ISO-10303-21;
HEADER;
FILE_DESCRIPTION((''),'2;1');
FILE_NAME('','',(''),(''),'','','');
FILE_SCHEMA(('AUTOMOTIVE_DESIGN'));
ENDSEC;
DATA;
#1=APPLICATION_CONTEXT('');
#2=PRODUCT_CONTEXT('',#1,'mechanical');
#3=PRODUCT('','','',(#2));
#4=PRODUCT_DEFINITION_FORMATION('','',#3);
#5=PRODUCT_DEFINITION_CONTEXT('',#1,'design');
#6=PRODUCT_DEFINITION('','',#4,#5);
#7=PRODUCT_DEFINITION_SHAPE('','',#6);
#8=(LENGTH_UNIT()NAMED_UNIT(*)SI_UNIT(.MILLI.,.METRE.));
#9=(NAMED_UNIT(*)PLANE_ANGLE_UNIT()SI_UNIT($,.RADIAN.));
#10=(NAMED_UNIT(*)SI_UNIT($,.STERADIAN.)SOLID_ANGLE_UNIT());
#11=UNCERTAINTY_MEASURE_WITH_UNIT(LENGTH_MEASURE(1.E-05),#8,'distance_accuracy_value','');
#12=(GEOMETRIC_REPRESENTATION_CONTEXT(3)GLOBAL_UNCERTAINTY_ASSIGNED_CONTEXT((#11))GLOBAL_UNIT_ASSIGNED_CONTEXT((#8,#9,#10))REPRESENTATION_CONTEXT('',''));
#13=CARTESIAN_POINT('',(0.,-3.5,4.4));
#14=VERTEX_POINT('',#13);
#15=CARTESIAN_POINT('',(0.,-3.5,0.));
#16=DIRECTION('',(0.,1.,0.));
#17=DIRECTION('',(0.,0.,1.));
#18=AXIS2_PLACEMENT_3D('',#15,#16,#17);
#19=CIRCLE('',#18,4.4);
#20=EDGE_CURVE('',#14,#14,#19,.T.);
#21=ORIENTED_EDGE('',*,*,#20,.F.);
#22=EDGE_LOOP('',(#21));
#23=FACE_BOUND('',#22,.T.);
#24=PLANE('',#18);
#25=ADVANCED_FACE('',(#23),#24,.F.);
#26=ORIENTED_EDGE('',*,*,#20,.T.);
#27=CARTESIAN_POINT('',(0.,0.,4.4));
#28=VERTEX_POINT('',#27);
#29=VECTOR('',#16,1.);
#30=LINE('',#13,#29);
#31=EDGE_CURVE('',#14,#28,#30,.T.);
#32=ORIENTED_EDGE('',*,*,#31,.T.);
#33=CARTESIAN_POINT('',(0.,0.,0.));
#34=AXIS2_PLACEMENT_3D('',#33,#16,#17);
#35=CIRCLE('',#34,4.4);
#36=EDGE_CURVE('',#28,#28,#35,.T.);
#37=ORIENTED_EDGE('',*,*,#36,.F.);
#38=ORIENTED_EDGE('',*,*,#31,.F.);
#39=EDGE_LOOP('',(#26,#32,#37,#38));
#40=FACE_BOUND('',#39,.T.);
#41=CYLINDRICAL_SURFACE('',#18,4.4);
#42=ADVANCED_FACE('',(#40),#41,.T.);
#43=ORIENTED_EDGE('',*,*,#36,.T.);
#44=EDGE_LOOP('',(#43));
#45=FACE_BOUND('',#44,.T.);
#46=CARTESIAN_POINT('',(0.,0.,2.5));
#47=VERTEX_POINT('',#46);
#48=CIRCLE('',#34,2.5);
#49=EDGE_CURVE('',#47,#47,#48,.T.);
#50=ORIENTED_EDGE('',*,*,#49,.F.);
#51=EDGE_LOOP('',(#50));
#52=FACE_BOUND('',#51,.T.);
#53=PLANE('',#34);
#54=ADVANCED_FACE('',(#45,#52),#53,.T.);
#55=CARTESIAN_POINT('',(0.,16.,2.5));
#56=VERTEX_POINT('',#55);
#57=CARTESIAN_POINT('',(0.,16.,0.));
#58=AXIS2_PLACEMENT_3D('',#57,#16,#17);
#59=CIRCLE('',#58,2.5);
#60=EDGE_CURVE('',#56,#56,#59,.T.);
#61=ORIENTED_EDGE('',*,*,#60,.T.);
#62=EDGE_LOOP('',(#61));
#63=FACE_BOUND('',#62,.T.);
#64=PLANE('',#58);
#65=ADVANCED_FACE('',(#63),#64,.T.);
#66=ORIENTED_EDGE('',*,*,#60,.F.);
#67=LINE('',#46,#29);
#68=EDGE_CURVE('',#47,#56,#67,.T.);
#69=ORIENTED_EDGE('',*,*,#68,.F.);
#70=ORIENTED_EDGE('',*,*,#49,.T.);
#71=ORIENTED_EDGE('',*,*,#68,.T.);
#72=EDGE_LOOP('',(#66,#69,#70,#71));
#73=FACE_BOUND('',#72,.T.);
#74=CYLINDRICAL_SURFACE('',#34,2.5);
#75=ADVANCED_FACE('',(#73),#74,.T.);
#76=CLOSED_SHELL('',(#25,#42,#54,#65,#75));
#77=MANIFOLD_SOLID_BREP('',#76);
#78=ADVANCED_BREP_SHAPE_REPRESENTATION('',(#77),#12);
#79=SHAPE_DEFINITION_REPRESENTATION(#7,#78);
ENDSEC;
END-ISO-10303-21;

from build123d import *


with BuildPart() as part:
    # Sketch → Revolution (revolve)
    with BuildSketch(Plane.YZ):
        Polygon((-3.5, 0), (-3.5, 4.4), (0, 4.4), (0, 2.5), (16, 2.5), (16, 0), align=None)
    revolve(axis=Axis((0, 0, 0), (0, 1, 0)))


solid = part.part
